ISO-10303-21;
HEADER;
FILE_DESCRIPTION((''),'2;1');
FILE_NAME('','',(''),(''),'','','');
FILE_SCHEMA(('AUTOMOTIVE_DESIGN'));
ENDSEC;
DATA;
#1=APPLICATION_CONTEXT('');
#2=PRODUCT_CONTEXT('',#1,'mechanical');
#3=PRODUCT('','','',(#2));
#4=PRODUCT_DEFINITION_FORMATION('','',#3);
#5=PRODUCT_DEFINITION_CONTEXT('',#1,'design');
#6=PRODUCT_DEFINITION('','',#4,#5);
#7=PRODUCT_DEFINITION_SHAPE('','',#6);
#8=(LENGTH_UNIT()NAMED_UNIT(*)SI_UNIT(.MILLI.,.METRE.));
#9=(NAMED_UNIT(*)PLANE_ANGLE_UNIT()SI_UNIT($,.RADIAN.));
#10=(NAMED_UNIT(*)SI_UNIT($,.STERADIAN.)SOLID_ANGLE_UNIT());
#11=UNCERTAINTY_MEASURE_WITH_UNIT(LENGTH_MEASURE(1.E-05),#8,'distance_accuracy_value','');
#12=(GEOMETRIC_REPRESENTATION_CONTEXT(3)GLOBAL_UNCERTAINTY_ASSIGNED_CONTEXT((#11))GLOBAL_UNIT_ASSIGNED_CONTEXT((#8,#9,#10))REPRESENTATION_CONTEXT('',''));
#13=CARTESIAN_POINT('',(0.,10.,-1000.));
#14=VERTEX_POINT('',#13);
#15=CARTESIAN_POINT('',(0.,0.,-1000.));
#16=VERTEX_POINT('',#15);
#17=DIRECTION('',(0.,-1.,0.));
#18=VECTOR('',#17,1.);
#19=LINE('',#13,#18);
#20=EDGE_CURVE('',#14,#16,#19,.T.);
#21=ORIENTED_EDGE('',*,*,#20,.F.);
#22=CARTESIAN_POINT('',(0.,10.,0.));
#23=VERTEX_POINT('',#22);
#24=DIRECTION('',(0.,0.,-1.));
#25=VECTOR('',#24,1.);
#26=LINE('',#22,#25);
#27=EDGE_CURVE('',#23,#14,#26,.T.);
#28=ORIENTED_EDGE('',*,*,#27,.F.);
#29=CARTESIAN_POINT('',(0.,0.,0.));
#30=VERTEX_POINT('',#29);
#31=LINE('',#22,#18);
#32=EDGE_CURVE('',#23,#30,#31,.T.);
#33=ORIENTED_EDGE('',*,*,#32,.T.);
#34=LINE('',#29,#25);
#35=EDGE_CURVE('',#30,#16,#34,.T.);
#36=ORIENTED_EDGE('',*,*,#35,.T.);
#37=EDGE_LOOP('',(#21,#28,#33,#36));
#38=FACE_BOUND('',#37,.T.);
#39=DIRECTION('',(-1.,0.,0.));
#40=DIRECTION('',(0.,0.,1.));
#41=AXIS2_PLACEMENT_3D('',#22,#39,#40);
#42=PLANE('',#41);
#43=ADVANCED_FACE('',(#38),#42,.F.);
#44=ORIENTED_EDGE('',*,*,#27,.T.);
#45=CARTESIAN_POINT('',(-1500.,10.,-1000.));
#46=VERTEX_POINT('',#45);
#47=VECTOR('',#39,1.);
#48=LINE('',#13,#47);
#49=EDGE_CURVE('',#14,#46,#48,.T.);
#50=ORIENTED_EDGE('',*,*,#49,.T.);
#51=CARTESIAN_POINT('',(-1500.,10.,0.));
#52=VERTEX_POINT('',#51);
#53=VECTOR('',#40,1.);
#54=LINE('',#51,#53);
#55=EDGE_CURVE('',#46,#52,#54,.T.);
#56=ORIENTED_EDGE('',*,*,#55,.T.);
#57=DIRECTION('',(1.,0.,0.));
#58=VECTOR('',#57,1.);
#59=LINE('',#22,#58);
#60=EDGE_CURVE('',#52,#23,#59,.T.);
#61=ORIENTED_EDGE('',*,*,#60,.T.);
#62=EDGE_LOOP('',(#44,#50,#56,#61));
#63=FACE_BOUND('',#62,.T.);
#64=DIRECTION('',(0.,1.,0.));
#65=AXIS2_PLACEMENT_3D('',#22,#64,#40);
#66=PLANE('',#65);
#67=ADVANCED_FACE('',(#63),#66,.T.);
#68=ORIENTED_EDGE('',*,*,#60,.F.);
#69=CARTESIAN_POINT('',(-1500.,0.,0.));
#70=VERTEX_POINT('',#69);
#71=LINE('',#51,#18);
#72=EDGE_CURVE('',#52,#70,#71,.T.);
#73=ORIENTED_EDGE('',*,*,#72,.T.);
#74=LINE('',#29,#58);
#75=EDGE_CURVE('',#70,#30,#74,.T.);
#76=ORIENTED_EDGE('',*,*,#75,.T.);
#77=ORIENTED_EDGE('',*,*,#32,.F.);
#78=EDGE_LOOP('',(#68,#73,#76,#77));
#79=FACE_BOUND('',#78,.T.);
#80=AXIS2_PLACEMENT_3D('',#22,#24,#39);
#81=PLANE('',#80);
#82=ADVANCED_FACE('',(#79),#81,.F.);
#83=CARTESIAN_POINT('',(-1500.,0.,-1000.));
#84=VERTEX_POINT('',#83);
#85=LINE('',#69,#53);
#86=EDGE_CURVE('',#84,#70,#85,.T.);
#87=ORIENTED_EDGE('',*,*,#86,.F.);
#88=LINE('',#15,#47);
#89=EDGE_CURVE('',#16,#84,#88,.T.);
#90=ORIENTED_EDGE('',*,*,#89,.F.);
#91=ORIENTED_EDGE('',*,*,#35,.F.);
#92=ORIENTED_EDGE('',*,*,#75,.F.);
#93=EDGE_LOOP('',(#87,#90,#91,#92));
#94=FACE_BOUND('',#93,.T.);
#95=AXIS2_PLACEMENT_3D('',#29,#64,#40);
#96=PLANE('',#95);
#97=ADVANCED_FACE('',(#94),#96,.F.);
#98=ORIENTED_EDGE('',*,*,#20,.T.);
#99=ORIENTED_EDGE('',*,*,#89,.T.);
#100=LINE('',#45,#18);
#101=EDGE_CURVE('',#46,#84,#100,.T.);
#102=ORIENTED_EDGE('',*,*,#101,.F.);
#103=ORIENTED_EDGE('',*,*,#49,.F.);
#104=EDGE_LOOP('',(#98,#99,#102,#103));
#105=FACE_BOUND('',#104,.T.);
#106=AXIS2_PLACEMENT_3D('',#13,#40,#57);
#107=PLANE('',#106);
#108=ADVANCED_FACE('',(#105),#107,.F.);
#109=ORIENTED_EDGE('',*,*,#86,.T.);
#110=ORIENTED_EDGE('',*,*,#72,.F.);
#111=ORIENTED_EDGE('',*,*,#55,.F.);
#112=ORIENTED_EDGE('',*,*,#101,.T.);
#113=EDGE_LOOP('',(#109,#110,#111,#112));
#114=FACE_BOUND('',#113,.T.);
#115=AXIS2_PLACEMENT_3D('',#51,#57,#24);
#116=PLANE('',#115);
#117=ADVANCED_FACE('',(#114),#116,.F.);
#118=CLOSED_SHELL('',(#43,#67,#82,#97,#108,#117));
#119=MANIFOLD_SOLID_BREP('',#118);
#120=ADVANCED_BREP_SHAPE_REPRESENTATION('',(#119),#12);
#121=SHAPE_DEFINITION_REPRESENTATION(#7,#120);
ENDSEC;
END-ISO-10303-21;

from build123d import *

# Parameters (mm, degrees)
SKETCH1_W      = 1500
SKETCH1_H      = 1000
EXTRUDE1_DEPTH = 10


with BuildPart() as part:
    # Sketch1 → Extrude1 (new body)
    with BuildSketch(Plane(origin=(0, 0, 0), x_dir=(1, 0, 0), z_dir=(0, 1, 0))):
        with Locations((-750, 500)):
            Rectangle(SKETCH1_W, SKETCH1_H)
    extrude(amount=EXTRUDE1_DEPTH)


solid = part.part
